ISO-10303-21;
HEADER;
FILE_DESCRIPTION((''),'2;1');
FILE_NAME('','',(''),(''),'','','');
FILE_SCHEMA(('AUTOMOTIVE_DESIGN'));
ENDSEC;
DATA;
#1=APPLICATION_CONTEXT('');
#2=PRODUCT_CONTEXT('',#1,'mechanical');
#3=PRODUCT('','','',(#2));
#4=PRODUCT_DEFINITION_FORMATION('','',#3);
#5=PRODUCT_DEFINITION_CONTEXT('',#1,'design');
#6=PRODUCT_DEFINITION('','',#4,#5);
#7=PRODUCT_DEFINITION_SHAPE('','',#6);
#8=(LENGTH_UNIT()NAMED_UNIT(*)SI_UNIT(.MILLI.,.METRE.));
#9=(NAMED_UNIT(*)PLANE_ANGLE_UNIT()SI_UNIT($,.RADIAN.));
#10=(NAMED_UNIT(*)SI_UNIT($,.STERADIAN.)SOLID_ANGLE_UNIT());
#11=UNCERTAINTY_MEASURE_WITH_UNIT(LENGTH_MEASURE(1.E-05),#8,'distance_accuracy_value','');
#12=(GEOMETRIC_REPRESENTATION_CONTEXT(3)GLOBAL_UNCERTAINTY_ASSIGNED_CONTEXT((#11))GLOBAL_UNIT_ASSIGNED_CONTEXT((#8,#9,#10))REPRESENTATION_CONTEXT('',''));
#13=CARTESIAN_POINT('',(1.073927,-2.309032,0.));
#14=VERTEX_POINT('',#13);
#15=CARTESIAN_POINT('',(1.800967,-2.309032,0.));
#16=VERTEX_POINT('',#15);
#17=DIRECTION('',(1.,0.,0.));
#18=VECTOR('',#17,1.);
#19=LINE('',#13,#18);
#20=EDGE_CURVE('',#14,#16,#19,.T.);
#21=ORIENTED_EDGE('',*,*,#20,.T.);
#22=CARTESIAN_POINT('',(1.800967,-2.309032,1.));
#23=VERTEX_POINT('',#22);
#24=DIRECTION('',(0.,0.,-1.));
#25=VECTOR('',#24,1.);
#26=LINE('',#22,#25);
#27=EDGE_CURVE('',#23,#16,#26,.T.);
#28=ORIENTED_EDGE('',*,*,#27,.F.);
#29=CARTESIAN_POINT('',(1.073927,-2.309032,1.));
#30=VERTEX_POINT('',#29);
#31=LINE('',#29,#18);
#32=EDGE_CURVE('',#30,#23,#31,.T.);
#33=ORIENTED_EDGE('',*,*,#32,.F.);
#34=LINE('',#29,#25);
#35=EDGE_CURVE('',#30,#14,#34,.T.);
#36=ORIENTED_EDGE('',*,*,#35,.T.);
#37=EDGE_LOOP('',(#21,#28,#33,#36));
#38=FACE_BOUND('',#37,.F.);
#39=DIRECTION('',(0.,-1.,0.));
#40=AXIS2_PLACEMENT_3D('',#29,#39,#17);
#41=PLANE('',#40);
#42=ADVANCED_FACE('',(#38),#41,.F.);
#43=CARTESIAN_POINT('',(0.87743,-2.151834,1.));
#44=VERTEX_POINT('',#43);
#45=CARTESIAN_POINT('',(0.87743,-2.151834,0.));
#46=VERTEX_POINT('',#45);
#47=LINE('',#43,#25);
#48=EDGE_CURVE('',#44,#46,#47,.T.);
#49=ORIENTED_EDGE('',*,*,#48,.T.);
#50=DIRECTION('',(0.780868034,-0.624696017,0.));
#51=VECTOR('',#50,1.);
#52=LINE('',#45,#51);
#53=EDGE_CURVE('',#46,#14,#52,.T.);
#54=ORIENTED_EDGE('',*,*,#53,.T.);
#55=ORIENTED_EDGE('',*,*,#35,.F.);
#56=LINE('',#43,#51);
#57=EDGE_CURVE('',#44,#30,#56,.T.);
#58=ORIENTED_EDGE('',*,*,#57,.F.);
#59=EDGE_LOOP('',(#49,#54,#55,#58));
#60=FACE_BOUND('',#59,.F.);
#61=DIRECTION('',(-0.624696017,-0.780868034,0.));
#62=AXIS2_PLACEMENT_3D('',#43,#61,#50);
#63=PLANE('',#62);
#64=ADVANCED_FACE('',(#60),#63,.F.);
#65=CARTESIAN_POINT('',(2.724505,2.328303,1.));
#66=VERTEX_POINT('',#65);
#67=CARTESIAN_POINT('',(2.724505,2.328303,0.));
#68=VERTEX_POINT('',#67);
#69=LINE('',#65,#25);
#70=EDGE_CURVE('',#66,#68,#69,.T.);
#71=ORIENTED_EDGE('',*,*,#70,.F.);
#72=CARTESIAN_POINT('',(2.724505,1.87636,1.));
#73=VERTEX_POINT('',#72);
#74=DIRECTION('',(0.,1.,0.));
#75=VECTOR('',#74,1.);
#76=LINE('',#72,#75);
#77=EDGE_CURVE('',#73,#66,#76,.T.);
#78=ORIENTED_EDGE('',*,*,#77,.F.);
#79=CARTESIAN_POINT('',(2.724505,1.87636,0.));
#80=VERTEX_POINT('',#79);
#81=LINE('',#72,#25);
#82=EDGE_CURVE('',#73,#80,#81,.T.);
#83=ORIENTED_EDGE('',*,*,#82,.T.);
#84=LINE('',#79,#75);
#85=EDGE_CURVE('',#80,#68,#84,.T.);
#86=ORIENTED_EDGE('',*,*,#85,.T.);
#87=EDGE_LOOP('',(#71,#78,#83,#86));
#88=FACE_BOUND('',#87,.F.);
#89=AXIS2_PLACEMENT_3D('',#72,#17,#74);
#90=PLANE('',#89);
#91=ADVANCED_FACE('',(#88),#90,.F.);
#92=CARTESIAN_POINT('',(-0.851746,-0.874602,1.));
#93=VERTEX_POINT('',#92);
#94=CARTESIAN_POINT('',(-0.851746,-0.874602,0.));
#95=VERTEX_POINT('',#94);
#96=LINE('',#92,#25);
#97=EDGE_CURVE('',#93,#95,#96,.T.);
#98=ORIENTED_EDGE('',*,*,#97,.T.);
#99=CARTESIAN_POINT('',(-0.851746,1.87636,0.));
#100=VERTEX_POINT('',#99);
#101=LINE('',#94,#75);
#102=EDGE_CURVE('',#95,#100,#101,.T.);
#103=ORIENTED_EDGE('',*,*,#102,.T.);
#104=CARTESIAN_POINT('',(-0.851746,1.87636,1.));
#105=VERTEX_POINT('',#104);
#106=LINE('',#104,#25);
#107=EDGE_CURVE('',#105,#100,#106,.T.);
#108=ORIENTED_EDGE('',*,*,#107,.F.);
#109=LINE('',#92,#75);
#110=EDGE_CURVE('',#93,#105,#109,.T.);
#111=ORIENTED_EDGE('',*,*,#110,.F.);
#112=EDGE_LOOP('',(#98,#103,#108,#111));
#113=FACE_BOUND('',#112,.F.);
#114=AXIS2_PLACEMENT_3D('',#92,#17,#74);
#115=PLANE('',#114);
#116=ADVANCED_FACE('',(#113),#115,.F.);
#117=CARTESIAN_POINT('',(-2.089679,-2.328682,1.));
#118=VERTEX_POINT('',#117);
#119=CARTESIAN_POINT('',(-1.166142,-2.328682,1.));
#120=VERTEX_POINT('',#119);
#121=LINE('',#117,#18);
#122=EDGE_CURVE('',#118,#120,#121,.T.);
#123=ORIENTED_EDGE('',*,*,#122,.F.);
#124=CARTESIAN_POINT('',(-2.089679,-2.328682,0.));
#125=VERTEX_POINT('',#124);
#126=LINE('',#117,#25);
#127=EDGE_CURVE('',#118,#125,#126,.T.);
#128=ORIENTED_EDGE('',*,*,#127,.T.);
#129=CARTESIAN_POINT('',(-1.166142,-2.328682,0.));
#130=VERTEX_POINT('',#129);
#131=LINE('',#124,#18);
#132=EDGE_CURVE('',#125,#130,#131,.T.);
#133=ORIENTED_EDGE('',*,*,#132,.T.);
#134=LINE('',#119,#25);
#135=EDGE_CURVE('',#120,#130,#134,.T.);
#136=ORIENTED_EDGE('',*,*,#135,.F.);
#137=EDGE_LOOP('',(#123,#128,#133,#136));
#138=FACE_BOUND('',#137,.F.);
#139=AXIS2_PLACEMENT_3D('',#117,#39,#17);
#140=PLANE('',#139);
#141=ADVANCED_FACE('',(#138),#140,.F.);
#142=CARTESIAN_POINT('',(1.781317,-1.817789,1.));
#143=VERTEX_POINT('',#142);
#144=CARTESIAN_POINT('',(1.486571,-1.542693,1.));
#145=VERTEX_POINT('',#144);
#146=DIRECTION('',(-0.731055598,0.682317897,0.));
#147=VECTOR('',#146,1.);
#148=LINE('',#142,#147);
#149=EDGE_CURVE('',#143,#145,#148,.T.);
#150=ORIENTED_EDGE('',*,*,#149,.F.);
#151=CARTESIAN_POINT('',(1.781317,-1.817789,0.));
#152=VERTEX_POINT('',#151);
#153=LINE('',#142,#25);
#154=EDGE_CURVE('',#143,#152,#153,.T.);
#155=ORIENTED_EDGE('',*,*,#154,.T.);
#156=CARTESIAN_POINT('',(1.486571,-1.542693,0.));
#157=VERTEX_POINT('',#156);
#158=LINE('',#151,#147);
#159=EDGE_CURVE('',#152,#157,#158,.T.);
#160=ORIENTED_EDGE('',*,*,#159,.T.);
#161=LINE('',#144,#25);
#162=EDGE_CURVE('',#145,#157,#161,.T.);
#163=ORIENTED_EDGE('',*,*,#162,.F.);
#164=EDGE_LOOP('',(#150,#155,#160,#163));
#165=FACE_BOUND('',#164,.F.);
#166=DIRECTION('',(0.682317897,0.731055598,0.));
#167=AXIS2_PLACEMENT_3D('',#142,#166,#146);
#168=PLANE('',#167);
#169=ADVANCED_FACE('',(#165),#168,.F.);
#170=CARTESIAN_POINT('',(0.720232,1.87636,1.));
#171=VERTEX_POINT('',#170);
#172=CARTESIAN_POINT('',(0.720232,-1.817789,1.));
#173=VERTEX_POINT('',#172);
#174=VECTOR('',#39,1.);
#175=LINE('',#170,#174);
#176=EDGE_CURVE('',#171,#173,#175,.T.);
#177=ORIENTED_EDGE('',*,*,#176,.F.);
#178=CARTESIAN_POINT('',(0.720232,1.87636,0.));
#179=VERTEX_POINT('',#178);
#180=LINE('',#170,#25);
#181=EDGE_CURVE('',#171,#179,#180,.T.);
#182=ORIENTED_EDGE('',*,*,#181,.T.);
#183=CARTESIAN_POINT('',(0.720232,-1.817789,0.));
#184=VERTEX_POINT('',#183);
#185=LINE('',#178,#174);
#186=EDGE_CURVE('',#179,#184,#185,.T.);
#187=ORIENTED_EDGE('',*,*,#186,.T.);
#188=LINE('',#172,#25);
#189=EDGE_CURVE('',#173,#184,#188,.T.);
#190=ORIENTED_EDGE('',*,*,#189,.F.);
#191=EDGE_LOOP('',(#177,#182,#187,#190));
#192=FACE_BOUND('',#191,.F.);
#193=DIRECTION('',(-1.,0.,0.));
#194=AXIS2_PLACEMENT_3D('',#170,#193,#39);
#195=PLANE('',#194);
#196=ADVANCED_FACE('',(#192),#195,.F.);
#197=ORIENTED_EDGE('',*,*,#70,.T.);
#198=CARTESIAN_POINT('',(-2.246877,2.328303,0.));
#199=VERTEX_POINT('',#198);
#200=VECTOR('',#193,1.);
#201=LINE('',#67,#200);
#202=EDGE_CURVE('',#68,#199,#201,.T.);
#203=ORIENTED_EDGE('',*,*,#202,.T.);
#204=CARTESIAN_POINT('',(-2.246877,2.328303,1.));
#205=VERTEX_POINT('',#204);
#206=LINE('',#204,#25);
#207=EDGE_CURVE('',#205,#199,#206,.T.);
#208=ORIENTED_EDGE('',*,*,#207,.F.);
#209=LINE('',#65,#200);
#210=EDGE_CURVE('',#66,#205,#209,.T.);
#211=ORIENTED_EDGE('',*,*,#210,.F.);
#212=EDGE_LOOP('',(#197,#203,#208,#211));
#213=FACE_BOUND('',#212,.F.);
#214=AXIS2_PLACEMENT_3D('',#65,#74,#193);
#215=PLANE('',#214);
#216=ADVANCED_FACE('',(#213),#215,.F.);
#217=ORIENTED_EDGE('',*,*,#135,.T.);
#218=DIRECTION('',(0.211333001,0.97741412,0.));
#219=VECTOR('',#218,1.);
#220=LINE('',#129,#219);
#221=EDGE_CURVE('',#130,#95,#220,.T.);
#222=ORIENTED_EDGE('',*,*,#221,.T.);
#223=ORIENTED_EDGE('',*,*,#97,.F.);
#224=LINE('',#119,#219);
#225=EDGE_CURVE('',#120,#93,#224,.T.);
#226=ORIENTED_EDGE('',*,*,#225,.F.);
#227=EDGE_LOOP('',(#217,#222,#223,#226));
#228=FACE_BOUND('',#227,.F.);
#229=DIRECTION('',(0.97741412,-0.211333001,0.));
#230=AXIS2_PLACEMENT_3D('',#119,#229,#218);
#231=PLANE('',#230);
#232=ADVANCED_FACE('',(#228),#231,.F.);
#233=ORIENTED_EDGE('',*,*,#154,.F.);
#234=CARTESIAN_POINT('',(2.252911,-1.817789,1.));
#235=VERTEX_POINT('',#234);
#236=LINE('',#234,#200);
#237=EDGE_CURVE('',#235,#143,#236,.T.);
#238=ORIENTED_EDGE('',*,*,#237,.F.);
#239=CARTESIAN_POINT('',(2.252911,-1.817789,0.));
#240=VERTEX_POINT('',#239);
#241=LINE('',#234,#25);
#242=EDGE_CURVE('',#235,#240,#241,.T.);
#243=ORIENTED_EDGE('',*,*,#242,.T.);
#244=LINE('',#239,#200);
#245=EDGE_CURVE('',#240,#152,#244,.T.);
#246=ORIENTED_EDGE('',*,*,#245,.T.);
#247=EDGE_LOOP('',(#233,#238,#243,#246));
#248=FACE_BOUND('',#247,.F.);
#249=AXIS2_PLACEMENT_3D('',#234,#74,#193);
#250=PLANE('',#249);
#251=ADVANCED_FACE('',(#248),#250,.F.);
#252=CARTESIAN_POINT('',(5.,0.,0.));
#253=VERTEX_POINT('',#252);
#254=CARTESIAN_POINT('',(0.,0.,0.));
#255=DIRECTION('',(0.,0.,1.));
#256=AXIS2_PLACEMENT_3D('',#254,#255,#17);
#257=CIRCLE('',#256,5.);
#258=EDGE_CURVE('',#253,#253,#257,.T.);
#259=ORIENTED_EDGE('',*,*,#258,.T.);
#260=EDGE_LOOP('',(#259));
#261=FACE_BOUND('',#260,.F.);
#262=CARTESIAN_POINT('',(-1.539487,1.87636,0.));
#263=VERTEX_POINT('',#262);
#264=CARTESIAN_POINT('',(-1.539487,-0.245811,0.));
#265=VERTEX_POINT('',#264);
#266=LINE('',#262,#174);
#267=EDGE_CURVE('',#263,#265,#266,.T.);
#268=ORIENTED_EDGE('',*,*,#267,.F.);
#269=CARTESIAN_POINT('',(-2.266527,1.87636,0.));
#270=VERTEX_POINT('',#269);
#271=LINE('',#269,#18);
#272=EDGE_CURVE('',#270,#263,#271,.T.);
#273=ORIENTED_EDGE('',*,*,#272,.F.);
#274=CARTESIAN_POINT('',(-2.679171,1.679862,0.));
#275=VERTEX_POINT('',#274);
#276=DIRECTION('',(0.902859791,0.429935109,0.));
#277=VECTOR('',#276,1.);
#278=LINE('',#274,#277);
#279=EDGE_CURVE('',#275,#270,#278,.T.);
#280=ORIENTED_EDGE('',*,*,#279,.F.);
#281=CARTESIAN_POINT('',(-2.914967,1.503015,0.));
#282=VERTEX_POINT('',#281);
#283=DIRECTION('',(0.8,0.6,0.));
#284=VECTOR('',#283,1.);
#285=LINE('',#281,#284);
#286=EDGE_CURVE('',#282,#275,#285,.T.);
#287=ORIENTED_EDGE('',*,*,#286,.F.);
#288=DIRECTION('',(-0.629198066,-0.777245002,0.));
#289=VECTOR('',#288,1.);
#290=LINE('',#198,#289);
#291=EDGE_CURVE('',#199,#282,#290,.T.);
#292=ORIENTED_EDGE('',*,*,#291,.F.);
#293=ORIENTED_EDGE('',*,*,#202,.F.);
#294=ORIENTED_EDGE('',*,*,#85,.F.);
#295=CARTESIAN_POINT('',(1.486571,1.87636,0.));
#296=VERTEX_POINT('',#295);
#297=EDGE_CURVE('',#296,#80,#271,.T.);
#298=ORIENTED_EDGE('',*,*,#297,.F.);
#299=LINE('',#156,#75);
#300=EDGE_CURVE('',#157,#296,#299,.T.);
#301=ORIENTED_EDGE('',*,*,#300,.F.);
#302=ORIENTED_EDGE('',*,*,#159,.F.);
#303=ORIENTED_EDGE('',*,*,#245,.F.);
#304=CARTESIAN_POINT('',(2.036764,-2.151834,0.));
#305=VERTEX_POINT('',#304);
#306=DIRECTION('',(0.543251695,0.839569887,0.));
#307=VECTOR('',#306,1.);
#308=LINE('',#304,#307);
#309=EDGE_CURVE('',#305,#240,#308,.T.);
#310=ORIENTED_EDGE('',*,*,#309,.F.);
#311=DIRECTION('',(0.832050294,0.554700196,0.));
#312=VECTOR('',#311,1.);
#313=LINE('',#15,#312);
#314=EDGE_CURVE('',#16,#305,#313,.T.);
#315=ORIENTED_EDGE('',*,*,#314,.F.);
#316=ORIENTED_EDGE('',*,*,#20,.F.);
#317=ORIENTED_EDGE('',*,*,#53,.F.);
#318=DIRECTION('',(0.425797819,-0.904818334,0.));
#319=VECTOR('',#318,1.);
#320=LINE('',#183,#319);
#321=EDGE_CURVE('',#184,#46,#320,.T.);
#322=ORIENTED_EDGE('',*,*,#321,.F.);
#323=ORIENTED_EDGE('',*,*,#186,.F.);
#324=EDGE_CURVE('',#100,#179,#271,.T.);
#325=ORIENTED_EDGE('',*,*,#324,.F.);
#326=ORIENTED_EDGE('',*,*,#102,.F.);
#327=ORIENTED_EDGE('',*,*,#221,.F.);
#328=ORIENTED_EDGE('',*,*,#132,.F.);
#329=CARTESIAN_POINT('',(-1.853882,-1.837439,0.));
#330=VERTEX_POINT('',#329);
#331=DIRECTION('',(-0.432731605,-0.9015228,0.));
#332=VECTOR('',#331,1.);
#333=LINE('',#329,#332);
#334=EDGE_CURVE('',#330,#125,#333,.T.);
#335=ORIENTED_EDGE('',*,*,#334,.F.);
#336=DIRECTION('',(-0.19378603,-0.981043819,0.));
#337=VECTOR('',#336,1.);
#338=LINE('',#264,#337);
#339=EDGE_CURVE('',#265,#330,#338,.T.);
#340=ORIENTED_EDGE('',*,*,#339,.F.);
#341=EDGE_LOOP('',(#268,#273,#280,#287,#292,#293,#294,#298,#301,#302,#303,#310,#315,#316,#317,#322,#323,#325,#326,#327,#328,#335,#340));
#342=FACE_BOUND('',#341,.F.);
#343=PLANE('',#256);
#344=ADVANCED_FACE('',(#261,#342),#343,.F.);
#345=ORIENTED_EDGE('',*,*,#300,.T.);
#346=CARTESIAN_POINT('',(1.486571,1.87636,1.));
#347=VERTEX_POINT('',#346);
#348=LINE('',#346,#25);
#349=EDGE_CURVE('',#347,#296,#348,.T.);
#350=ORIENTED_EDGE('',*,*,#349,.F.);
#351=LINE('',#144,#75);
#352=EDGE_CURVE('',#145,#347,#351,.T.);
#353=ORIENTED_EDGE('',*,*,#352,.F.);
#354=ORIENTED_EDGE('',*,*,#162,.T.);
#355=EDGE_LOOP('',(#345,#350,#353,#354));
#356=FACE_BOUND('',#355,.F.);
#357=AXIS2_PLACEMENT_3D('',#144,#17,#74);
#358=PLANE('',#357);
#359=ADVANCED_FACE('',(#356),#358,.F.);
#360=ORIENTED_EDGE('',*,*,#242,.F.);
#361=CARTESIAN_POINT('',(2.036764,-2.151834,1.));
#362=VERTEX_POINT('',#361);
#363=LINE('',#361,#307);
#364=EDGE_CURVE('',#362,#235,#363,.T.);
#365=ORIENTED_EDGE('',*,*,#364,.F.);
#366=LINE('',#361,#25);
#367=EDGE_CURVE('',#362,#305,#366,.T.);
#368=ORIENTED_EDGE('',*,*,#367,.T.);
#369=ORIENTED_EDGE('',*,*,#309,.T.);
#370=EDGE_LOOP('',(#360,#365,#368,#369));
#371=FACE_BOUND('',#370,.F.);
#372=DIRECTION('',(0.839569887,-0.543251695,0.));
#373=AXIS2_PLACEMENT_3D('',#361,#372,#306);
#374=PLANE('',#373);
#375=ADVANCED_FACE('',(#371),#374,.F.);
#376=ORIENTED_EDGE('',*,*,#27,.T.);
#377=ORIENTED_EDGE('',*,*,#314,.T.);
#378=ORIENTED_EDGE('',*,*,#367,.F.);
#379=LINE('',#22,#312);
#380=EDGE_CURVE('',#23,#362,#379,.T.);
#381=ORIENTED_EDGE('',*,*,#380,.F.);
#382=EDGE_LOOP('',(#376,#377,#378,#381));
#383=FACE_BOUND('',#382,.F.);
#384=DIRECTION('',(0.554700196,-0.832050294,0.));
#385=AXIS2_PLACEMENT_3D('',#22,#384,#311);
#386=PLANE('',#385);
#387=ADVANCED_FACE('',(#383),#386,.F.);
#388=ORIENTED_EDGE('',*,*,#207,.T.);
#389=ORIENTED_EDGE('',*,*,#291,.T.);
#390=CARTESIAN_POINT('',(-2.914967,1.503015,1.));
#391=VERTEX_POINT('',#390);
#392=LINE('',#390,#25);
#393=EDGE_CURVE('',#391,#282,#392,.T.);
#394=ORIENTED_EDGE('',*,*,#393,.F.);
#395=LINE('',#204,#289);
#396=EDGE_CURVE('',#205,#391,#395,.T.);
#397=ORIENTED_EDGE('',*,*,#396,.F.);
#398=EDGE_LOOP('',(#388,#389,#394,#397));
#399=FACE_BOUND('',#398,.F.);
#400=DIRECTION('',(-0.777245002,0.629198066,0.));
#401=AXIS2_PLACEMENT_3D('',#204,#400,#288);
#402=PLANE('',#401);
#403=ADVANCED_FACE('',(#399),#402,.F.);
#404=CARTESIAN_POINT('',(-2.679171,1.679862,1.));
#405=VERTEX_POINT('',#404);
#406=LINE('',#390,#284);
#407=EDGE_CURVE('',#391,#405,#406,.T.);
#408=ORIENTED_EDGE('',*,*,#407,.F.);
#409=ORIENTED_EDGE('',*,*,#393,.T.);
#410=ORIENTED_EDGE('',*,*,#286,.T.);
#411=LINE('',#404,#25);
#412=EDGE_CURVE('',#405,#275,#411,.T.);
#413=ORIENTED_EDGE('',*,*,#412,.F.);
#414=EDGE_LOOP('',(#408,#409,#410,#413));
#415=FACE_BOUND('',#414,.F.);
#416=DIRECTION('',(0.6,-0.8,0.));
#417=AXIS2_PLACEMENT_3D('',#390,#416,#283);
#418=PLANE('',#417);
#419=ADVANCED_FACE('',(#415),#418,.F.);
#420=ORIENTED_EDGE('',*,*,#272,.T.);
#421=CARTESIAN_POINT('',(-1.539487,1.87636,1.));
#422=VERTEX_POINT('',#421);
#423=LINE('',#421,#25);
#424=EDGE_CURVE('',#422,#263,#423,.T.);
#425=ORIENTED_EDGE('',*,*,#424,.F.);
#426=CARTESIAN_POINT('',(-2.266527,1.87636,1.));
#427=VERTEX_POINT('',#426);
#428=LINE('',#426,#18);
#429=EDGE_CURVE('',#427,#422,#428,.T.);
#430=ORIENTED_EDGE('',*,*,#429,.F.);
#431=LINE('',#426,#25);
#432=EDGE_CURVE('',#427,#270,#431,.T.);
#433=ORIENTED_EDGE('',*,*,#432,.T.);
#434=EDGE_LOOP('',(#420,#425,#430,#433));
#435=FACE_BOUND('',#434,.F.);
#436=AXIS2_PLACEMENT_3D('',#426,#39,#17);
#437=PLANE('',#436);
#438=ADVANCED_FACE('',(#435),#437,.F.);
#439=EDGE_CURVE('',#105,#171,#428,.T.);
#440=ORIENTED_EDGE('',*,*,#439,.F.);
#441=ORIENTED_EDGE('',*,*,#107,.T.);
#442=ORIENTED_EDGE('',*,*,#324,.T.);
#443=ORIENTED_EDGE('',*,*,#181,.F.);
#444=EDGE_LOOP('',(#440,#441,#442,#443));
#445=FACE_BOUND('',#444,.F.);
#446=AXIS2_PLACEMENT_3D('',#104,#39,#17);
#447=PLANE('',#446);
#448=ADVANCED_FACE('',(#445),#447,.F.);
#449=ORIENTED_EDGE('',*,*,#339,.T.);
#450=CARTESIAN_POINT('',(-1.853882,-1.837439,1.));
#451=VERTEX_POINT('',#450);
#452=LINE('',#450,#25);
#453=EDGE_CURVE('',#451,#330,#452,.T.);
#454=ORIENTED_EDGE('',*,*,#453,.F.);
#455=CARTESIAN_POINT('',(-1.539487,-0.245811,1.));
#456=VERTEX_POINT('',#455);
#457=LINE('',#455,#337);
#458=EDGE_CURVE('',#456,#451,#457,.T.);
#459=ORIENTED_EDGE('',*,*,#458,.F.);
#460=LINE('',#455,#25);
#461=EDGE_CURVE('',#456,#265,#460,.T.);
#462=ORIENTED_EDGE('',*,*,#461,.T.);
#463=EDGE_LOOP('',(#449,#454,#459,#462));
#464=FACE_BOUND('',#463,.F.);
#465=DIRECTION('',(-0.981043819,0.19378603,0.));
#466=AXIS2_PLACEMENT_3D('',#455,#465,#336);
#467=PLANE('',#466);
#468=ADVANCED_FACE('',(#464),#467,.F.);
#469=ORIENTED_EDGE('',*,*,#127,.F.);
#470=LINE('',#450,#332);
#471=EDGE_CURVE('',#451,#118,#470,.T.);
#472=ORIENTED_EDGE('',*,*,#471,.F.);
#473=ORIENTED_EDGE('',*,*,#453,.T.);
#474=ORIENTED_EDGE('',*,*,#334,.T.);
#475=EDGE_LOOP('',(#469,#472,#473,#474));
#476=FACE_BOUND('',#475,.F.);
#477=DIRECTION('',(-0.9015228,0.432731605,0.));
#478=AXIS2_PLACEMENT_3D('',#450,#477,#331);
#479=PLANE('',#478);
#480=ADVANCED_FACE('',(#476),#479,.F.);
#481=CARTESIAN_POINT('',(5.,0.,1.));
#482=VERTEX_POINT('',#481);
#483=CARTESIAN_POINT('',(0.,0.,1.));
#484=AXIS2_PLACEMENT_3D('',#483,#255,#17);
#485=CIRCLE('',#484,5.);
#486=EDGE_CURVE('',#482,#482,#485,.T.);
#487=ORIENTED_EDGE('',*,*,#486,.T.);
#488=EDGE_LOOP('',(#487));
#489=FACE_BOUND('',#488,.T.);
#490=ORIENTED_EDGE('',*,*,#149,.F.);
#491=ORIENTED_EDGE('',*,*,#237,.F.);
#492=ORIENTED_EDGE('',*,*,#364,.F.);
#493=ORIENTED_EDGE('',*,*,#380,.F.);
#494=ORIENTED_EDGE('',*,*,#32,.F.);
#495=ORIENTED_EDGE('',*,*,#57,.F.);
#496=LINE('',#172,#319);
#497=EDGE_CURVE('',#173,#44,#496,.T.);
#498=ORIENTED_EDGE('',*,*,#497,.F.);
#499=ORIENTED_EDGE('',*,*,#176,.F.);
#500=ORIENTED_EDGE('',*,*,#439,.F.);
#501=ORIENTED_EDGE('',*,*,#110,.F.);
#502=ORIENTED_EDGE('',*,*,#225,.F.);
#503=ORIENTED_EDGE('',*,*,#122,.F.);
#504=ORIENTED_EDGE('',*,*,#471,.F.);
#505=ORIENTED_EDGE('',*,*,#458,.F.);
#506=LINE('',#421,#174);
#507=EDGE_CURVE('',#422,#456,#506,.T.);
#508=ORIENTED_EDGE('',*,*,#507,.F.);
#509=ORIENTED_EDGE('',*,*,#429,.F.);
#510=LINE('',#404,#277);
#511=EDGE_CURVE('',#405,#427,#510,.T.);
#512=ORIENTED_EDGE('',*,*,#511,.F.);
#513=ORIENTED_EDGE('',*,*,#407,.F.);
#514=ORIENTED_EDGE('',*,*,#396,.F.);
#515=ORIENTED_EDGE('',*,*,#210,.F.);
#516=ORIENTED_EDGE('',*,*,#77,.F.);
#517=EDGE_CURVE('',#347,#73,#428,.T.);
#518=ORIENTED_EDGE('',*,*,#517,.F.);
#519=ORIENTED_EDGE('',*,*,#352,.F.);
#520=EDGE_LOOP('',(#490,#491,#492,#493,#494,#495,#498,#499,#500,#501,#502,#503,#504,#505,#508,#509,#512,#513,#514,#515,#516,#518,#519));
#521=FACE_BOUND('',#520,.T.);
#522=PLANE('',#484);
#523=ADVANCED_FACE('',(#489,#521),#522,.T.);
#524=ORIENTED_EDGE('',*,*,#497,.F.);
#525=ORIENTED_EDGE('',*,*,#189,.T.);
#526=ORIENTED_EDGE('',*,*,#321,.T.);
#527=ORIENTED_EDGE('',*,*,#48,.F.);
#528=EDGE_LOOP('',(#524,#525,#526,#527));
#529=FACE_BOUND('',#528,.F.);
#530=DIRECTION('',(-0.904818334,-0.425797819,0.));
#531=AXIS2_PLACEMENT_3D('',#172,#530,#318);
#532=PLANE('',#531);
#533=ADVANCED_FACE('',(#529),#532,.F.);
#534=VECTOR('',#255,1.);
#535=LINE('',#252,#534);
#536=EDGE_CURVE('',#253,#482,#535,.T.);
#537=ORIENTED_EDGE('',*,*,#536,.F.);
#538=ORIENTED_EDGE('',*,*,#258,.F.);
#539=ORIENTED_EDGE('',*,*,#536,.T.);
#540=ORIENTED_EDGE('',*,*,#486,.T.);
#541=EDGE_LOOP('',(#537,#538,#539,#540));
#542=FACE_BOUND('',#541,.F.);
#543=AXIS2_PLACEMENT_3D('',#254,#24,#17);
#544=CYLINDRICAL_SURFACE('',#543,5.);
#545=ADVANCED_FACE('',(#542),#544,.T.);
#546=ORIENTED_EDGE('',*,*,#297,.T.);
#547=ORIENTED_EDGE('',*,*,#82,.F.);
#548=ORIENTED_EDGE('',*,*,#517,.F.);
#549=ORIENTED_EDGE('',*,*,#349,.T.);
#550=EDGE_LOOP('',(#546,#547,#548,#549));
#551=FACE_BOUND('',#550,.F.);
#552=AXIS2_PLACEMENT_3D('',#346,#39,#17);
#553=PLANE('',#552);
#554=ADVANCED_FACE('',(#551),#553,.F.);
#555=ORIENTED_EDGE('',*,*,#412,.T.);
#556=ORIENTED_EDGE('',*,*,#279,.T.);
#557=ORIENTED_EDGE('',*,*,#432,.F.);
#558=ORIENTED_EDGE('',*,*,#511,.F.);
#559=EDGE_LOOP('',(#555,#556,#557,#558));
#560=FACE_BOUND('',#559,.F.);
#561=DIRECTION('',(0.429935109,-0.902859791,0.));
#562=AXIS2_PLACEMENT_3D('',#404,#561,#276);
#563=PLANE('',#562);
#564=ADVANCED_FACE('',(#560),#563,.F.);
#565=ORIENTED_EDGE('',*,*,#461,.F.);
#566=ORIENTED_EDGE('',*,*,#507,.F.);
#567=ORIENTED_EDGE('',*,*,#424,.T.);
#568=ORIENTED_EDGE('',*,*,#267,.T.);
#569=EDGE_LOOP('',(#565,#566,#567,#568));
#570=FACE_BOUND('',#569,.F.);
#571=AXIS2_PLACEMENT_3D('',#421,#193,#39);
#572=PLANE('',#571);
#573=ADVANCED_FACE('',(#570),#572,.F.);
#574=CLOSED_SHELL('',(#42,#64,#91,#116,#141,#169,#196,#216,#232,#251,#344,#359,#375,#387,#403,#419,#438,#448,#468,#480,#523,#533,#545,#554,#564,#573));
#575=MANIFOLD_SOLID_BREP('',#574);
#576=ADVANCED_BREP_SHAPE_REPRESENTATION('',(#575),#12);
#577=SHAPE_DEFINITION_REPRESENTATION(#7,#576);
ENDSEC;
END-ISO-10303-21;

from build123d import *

# Parameters (mm, degrees)
F0_R     = 5
F1_DEPTH = 1
F3_DEPTH = 1


with BuildPart() as f1:
    # F0 (on Top) → F1 (new body)
    with BuildSketch(Plane.XY):
        Circle(F0_R)
    extrude(amount=F1_DEPTH)

    # F2 (on face) → F3 (cut)
    with BuildSketch(Plane.XY.offset(1)):
        Polygon((2.724505, 1.87636), (2.724505, 2.328303), (-2.246877, 2.328303), (-2.914967, 1.503015), (-2.679171, 1.679862), (-2.266527, 1.87636), (-1.539487, 1.87636), (-0.851746, 1.87636), (0.720232, 1.87636), (1.486571, 1.87636), align=None)
        Polygon((1.486571, -1.542693), (1.486571, 1.87636), (0.720232, 1.87636), (0.720232, -1.817789), (0.87743, -2.151834), (1.073927, -2.309032), (1.800967, -2.309032), (2.036764, -2.151834), (2.252911, -1.817789), (1.781317, -1.817789), align=None)
        Polygon((-0.851746, -0.874602), (-0.851746, 1.87636), (-1.539487, 1.87636), (-1.539487, 0.166833), (-1.539487, -0.245811), (-1.853882, -1.837439), (-2.089679, -2.328682), (-1.166142, -2.328682), align=None)
    extrude(amount=-F3_DEPTH, mode=Mode.SUBTRACT)


solid = f1.part
